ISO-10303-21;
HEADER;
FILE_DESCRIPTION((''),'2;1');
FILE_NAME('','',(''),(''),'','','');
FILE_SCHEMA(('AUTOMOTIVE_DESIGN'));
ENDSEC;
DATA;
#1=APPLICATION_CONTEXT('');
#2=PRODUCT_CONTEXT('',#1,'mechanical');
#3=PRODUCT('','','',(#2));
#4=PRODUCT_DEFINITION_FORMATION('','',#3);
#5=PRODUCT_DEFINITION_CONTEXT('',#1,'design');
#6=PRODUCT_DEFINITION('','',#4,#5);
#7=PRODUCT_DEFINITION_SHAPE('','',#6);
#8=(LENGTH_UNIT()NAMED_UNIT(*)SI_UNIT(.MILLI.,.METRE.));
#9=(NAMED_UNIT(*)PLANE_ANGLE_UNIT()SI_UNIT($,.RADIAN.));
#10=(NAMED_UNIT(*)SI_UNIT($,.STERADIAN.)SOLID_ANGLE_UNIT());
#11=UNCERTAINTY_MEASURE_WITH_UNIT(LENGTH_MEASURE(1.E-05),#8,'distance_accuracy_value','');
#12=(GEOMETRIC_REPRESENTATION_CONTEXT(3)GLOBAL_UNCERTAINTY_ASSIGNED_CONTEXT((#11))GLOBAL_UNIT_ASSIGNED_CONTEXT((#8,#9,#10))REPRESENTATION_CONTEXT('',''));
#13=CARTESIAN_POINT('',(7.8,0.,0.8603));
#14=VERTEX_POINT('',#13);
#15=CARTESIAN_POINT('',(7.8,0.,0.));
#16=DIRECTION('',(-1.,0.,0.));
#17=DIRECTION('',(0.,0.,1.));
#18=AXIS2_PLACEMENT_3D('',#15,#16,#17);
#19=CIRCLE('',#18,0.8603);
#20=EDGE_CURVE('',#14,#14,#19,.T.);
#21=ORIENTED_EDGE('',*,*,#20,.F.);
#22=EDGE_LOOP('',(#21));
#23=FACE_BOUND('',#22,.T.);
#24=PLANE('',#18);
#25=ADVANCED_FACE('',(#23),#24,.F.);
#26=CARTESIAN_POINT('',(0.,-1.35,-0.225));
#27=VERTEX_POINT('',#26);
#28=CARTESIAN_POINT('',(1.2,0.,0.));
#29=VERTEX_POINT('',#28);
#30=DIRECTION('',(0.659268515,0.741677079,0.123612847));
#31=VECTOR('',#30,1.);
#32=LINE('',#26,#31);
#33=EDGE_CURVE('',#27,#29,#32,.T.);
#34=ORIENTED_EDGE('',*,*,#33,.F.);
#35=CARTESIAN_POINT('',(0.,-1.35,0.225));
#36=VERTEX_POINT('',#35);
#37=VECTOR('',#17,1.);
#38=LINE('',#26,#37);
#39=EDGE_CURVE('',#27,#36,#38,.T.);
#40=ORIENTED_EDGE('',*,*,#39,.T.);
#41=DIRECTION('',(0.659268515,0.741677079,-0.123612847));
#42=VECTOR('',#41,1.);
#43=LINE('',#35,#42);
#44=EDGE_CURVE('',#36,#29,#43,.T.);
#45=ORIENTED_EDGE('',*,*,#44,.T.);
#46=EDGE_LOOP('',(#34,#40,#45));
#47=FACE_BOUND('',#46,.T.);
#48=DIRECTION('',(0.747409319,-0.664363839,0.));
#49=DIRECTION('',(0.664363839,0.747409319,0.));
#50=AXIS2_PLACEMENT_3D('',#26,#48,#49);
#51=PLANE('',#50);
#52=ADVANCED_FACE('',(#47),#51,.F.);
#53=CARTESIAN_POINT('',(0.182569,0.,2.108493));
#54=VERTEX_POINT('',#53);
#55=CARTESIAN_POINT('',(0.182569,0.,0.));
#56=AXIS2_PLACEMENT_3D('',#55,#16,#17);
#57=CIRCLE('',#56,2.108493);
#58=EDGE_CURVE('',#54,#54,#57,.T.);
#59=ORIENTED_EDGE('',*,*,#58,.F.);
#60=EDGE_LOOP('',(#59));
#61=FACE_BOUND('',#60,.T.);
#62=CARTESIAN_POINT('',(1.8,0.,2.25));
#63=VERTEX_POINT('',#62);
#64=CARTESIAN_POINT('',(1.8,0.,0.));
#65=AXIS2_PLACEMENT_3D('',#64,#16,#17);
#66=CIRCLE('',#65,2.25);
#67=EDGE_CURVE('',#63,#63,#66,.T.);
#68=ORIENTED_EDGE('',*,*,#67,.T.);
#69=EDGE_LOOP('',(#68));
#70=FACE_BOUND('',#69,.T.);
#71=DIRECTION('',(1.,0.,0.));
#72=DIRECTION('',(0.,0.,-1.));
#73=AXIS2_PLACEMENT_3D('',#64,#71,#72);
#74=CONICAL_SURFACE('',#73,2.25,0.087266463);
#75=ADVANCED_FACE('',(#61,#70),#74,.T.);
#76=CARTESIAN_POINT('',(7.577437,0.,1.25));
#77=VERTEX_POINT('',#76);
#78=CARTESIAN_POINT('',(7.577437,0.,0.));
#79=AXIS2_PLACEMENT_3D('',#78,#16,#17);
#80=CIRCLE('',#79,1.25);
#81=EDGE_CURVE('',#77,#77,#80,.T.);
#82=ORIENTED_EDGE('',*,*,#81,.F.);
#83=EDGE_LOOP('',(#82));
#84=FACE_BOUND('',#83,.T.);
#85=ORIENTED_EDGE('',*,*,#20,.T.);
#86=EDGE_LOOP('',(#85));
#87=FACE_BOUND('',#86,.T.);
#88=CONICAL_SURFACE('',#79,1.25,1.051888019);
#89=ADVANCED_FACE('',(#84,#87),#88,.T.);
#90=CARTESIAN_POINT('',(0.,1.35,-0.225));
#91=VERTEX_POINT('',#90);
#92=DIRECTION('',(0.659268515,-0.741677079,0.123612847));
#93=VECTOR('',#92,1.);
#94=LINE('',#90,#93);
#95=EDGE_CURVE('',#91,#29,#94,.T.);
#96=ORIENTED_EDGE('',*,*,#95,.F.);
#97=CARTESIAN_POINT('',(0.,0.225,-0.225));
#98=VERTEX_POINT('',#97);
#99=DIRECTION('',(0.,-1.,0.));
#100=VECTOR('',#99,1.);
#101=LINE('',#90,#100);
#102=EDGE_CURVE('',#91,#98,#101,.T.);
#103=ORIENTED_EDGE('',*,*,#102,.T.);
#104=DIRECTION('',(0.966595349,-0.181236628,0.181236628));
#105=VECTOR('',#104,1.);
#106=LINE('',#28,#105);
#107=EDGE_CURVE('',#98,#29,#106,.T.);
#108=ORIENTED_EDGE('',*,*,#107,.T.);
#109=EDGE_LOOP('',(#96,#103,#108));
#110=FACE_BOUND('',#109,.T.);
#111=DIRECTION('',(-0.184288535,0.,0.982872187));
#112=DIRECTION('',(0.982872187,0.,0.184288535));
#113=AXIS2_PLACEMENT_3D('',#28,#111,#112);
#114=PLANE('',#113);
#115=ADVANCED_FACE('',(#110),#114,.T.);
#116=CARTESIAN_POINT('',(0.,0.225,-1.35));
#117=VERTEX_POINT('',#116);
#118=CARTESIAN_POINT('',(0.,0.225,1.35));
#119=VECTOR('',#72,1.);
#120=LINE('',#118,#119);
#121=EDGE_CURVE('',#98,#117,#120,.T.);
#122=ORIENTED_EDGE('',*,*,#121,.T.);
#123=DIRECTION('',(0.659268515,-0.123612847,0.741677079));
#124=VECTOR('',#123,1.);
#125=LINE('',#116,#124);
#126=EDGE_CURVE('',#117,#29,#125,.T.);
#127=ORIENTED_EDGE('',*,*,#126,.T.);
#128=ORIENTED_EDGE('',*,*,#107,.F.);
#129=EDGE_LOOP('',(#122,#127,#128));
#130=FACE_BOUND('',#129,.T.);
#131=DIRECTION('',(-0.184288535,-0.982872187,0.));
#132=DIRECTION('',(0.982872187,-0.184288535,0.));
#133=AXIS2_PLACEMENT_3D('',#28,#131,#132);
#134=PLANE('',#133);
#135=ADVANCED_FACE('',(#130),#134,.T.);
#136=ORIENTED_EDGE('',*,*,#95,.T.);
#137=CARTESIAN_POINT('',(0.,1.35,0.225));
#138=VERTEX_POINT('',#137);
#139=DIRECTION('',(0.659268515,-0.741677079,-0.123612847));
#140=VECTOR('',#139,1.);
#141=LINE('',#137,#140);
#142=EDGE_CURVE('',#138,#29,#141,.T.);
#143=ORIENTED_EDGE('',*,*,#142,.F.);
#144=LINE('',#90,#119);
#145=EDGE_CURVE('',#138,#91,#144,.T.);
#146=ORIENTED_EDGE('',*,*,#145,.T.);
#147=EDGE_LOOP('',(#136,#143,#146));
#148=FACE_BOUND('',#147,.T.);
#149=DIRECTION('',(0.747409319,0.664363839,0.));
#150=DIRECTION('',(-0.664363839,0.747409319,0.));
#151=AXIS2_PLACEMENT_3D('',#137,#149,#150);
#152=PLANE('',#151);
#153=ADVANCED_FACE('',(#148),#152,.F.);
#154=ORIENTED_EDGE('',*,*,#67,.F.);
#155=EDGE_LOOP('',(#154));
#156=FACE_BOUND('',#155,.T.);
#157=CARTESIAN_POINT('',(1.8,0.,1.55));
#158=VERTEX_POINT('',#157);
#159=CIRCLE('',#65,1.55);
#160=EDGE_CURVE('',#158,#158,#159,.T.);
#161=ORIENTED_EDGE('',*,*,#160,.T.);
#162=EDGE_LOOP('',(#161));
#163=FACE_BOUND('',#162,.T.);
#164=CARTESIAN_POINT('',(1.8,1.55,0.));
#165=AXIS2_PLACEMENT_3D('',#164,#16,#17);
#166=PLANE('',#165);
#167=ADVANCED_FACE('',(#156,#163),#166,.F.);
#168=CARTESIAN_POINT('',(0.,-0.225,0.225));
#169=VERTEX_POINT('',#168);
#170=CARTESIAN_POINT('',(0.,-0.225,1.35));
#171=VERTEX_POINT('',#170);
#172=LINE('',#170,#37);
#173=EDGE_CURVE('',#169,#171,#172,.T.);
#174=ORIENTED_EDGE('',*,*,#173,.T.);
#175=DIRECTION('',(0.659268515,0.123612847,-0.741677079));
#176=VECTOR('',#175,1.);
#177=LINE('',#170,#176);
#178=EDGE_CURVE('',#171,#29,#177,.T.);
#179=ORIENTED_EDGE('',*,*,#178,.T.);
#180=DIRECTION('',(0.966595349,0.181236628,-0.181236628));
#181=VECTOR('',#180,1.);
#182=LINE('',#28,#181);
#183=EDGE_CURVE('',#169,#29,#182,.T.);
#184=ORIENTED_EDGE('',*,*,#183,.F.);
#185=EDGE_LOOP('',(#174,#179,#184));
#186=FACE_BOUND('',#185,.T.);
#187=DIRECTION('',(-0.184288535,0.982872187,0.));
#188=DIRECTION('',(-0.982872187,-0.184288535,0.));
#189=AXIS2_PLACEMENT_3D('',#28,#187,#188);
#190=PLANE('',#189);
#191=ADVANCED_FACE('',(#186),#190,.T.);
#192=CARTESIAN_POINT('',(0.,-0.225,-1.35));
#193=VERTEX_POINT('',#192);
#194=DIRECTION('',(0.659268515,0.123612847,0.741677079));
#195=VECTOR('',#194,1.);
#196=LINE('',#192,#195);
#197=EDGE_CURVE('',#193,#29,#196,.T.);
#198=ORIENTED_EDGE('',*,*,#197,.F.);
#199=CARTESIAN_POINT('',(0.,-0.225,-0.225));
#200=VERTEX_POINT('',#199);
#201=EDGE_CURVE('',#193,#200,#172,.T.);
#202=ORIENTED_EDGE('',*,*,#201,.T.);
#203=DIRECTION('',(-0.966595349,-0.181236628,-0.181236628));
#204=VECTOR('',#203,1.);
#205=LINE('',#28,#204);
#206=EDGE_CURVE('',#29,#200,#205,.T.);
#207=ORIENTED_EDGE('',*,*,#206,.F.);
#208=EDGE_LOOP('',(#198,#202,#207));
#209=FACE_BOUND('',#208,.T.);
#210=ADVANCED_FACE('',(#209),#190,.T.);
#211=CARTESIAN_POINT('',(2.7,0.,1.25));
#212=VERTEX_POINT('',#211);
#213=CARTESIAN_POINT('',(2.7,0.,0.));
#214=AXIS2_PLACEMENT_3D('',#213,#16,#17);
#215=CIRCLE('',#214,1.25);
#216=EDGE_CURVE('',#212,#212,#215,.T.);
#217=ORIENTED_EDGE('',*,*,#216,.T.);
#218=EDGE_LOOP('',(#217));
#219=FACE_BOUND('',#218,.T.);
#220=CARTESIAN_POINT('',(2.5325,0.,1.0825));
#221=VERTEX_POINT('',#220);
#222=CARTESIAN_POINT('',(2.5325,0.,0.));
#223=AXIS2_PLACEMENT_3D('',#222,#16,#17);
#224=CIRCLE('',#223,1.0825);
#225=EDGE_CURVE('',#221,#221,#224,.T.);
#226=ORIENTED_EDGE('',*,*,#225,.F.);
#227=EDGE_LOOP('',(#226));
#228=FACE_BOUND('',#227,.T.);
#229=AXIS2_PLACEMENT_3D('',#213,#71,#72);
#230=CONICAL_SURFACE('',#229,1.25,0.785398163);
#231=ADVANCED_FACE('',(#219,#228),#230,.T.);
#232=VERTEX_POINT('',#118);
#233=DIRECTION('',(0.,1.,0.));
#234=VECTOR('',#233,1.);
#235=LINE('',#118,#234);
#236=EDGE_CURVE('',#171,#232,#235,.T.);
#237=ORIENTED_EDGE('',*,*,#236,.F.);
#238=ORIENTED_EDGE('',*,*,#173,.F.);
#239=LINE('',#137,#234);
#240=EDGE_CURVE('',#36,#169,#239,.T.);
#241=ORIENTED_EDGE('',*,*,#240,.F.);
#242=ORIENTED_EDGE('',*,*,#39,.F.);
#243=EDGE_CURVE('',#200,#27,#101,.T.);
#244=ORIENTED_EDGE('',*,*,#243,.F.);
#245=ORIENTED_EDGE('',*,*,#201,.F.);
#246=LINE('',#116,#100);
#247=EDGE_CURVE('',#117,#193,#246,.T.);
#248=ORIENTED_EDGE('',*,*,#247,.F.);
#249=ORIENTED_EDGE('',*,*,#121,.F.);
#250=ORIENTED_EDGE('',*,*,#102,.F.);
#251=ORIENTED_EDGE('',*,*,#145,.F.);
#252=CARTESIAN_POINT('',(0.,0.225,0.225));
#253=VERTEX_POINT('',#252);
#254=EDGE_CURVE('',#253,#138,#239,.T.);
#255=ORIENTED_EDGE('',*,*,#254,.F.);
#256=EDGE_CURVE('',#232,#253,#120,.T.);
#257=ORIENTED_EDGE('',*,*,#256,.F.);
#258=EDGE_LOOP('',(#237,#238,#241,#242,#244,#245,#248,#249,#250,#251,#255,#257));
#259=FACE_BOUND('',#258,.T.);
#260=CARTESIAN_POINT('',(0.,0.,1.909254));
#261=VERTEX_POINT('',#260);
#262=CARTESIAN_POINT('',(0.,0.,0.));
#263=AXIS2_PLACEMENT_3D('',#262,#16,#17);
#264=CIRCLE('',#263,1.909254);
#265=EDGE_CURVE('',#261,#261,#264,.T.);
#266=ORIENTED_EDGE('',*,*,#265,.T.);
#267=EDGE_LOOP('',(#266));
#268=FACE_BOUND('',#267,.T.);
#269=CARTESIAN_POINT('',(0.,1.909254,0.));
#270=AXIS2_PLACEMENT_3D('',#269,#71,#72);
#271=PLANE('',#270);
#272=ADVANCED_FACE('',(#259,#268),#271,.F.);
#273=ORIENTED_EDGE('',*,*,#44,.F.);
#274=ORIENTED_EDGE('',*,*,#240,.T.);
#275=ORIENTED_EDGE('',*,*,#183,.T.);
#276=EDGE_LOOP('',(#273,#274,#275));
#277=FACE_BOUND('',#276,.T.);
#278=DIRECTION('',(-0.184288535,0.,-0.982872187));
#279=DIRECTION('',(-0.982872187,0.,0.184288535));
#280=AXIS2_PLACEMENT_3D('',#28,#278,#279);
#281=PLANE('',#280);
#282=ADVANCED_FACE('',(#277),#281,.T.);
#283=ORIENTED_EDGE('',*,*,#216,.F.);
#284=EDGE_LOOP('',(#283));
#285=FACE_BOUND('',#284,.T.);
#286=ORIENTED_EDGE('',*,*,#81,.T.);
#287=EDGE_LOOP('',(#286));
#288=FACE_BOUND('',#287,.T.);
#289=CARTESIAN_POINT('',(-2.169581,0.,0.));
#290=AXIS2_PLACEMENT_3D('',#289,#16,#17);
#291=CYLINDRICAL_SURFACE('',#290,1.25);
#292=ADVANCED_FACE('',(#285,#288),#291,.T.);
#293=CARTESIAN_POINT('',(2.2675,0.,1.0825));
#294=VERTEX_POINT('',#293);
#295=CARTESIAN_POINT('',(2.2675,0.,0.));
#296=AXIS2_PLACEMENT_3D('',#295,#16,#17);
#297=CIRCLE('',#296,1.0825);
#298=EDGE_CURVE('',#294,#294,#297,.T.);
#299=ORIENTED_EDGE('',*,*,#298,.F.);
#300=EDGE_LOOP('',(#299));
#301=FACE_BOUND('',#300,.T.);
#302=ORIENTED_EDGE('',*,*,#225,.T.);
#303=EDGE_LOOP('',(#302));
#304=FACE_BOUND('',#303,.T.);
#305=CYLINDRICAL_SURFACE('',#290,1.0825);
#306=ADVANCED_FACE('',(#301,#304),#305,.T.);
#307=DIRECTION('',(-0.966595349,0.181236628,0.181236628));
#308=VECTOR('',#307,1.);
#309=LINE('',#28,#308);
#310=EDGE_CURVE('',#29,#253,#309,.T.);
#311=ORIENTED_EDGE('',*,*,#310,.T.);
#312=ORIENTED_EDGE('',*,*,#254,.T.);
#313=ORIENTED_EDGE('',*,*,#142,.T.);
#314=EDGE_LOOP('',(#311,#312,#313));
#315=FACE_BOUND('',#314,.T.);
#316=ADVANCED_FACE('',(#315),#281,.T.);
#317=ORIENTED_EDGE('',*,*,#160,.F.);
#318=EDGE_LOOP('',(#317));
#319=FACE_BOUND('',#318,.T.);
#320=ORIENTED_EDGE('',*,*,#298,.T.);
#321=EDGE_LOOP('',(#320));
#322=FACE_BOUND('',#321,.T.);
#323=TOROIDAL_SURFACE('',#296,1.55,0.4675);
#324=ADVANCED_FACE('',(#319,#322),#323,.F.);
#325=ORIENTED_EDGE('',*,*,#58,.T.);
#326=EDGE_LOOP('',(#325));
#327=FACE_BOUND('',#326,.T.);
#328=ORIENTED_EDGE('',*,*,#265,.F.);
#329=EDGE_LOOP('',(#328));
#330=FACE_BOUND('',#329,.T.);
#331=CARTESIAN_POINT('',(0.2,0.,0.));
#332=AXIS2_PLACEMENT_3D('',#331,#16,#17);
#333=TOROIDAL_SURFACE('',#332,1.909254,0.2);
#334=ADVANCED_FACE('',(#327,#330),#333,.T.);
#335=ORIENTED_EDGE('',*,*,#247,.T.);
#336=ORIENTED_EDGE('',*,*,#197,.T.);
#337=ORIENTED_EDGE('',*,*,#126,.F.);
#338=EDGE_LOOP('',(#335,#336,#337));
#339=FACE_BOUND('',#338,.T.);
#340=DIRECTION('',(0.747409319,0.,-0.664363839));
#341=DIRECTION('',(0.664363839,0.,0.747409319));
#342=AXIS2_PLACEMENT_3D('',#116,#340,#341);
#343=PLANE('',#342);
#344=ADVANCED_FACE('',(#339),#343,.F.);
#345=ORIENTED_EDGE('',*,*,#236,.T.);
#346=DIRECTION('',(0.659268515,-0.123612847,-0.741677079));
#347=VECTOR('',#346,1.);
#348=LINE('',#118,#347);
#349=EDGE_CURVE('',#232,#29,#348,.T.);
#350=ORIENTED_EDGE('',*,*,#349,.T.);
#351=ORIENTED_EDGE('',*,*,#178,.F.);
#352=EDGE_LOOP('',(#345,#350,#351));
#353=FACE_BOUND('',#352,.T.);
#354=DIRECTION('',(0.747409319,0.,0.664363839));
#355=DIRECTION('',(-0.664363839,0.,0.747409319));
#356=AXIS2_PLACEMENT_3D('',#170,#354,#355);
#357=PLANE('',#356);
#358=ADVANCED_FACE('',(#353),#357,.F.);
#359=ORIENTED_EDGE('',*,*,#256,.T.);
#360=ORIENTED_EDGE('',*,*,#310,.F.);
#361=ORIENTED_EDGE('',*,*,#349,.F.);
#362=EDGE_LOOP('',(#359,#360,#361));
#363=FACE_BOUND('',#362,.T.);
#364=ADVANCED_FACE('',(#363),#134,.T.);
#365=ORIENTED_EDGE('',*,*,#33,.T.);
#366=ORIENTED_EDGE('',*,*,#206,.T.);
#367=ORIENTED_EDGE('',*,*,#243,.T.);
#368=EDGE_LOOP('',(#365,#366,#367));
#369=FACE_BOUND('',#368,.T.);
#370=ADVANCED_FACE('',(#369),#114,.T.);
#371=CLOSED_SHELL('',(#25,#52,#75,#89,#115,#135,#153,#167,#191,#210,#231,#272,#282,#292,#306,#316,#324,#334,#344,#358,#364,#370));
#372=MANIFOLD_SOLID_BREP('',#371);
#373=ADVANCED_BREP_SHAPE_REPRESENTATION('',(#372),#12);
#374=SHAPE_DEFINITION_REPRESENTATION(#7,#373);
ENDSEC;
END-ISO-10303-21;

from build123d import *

# Parameters (mm, degrees)
PATTERN_CIRCULAR_1_COUNT = 2
PATTERN_CIRCULAR_1_ANGLE = 90


with BuildPart() as part:
    # 草图3 → Revolve 850 (revolve)
    with BuildSketch(Plane.XY, mode=Mode.PRIVATE) as revolve_850_sk:
        with BuildLine():
            Line((0, 0), (7.8, 0))
            Line((7.8, 0), (7.8, 1.25))
            Line((7.8, 1.25), (2.7, 1.25))
            Line((2.7, 1.25), (2.5325, 1.0825))
            Line((2.5325, 1.0825), (2.2675, 1.0825))
            ThreePointArc((2.2675, 1.0825), (1.93692758, 1.21942758), (1.8, 1.55))
            Line((1.8, 1.55), (1.8, 2.25))
            Line((1.8, 2.25), (0.182568851, 2.10849311))
            ThreePointArc((0.182568851, 2.10849311), (0.052544533, 2.044372212), (0, 1.909254171))
            Line((0, 1.909254171), (0, 0))
        make_face()
    revolve(revolve_850_sk.sketch.rotate(Axis((-2.16958059, 0, 0), (1, 0, 0)), 90), axis=Axis((-2.16958059, 0, 0), (1, 0, 0)))

    # 草图4 → 切除-旋转1 (revolve, cut)
    with BuildSketch(Plane.XY, mode=Mode.PRIVATE) as cut_revolve_1_sk:
        Polygon((7.577437203, 1.25), (8.027437203, 1.25), (7.8, 0.8603), align=None)
    revolve(cut_revolve_1_sk.sketch.rotate(Axis((-0.21798541, 0, 0), (1, 0, 0)), 90), axis=Axis((-0.21798541, 0, 0), (1, 0, 0)), mode=Mode.SUBTRACT)

    # 草图5 → 切除-放样1 section 0
    with BuildSketch(Plane.ZY, mode=Mode.PRIVATE) as loft_1_s0:
        with BuildLine():
            Line((-0.225, 1.35), (0.225, 1.35))
            Line((0.225, 1.35), (0.225, -1.35))
            Line((0.225, -1.35), (-0.225, -1.35))
            Line((-0.225, -1.35), (-0.225, 1.35))
        make_face()
    loft_1 = loft([loft_1_s0.sketch, Vertex(1.2, 0, 0)], mode=Mode.SUBTRACT)

    # 阵列(圆周)1: 切除-放样1 ×2 about axis
    pattern_circular_1_axis = Axis((0, 0, 0), (1, 0, 0))
    for i in range(1, PATTERN_CIRCULAR_1_COUNT):
        add(loft_1.rotate(pattern_circular_1_axis, i * PATTERN_CIRCULAR_1_ANGLE / (PATTERN_CIRCULAR_1_COUNT - 1)), mode=Mode.SUBTRACT)


solid = part.part
